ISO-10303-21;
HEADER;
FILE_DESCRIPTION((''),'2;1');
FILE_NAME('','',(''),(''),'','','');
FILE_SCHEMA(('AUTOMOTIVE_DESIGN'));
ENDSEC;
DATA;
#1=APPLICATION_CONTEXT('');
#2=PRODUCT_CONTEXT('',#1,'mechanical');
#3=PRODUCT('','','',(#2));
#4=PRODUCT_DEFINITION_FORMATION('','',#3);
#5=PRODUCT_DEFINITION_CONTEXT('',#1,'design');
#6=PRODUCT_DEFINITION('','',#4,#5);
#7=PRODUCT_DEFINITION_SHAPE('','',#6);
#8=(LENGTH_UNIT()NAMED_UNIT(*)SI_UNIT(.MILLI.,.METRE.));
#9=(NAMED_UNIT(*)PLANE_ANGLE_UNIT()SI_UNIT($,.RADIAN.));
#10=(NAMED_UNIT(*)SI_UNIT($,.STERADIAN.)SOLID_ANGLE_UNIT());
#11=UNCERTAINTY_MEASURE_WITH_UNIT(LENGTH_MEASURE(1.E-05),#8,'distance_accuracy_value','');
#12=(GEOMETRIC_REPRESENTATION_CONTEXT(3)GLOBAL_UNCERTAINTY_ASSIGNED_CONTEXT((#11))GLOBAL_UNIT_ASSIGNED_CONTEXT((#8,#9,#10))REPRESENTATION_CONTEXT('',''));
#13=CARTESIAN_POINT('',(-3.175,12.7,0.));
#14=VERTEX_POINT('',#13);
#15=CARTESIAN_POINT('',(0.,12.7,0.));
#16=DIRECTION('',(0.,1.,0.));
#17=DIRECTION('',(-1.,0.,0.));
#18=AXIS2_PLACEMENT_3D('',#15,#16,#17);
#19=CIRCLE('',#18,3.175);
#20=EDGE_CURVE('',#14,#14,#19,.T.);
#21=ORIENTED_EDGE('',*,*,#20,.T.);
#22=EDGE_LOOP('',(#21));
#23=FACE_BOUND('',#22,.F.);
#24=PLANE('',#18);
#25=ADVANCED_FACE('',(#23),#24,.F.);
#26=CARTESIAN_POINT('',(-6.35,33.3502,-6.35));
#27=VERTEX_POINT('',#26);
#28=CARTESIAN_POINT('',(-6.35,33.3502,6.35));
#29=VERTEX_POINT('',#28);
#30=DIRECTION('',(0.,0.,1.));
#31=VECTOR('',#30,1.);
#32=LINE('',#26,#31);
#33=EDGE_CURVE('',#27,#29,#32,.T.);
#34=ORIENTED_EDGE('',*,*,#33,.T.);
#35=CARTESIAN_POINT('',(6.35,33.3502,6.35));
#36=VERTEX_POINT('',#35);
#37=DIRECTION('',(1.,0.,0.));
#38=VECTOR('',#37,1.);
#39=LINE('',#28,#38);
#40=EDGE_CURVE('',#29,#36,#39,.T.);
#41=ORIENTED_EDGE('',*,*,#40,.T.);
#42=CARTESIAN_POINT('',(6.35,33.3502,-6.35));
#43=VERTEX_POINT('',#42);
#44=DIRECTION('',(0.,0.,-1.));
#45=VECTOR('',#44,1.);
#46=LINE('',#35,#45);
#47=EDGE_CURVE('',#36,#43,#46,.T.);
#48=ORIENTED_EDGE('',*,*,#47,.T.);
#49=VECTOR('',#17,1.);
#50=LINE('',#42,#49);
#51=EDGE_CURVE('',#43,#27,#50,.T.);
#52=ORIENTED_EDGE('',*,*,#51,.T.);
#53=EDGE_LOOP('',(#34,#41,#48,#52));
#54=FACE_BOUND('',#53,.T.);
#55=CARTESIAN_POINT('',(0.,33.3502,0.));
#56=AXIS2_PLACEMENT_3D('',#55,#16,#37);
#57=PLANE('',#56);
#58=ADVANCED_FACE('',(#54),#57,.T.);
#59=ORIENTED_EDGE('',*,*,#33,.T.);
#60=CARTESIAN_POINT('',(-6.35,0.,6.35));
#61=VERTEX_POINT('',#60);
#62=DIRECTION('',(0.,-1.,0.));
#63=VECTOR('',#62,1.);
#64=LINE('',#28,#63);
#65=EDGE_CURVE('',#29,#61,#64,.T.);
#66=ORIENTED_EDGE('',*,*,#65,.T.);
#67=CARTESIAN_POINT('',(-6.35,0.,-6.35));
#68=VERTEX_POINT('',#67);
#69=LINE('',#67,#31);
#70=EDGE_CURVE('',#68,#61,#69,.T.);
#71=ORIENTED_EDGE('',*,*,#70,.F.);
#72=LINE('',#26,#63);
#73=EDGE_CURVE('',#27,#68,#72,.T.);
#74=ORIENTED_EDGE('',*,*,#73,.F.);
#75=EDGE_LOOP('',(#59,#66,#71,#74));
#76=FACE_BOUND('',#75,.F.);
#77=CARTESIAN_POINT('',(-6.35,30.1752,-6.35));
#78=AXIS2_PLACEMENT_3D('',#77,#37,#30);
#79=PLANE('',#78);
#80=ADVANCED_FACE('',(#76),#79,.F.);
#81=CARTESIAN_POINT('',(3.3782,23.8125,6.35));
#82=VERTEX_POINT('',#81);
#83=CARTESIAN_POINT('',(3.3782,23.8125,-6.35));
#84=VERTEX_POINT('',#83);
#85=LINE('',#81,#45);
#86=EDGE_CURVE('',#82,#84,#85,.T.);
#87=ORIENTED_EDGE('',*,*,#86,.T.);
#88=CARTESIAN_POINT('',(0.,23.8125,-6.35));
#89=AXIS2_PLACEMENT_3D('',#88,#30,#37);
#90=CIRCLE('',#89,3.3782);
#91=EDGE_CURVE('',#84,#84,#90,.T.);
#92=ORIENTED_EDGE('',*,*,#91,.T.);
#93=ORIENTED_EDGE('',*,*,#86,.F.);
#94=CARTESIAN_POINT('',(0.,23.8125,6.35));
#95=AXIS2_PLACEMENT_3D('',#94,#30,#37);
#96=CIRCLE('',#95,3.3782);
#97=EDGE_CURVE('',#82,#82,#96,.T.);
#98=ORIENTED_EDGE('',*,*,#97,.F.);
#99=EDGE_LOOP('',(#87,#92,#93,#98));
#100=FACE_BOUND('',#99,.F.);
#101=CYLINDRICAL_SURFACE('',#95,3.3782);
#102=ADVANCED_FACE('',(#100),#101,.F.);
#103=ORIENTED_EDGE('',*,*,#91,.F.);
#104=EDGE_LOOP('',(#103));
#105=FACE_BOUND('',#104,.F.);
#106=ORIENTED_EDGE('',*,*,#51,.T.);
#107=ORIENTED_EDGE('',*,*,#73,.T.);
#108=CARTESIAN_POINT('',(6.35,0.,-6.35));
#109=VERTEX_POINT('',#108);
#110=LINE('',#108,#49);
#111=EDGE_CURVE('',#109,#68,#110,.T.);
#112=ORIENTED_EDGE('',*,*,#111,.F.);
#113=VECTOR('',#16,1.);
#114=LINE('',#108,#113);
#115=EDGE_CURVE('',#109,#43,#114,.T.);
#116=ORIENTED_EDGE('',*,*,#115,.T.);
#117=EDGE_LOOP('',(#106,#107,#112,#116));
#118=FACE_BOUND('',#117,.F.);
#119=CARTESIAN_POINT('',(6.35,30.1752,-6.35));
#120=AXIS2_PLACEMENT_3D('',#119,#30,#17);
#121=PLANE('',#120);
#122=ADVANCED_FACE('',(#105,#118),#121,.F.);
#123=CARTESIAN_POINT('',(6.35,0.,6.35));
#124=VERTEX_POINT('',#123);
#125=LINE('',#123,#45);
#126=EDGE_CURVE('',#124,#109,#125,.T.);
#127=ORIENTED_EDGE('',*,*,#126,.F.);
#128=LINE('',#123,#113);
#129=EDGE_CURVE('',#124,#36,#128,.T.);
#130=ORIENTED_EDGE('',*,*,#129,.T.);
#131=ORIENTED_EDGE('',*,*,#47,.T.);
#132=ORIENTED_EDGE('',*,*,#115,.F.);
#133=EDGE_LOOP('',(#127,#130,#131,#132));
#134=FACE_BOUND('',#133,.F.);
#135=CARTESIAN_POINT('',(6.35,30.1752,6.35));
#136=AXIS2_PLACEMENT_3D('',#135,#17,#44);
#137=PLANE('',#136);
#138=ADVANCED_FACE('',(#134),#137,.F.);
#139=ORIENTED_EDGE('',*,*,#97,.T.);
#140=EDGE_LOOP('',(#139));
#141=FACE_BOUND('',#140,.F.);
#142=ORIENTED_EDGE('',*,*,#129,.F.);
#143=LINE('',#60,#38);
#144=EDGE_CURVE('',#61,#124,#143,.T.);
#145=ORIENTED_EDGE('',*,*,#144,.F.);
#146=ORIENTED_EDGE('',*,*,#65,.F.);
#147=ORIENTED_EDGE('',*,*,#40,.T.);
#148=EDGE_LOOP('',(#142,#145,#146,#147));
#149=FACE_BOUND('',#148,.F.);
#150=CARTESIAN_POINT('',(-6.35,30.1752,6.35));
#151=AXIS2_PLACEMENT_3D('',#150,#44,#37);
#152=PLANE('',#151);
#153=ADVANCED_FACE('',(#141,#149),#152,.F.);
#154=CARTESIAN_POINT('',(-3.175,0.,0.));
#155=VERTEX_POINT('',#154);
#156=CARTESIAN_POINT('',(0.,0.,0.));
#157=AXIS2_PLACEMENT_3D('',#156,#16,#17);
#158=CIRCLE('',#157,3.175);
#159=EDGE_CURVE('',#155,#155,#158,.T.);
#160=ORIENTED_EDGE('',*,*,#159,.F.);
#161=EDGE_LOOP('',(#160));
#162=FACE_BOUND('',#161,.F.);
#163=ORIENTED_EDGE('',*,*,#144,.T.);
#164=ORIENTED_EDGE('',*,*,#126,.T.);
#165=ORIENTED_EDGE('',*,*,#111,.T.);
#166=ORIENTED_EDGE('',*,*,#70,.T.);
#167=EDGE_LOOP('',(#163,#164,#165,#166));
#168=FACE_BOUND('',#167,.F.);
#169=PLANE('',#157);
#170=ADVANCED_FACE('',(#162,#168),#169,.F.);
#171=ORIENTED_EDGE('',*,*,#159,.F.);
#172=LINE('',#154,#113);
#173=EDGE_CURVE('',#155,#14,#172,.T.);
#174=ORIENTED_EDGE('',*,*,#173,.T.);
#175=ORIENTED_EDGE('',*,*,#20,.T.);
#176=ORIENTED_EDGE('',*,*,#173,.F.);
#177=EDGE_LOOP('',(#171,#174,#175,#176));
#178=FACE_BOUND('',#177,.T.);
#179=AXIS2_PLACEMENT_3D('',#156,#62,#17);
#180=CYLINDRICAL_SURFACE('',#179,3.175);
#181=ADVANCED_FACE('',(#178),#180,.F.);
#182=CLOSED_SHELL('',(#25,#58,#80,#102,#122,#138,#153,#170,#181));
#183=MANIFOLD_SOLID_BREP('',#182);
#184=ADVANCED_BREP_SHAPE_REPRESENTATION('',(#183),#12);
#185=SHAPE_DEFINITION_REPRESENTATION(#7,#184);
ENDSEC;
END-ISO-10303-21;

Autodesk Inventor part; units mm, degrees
ref_plane "YZ Plane" through (0, 0, 0) normal (1, 0, 0) x (0, 1, 0)
ref_plane "XZ Plane" through (0, 0, 0) normal (0, 1, 0) x (-1, 0, 0)
ref_plane "XY Plane" through (0, 0, 0) normal (0, 0, 1) x (1, 0, 0)
sketch "Sketch1" plane through (0, 0, 0) normal (0, 1, 0) x (-1, 0, 0)
  circle A0 centre (0, 0) radius 3.175
  line L0 (6.35, 6.35) -> (-6.35, 6.35)
  line L1 (-6.35, 6.35) -> (-6.35, -6.35)
  line L2 (-6.35, -6.35) -> (6.35, -6.35)
  line L3 (6.35, -6.35) -> (6.35, 6.35)
  dimension "d0" = 6.35
  dimension "d1" = 6.35
  dimension "d2" = 6.35
  dimension "d3" = 6.35
extrude "Extrusion1" add sketch "Sketch1" along normal blind 30.1752 contours A0 | L3 L2 L1 L0
extrude "Extrusion2" cut sketch "Sketch1" along normal blind 12.7 contours A0
sketch "Sketch2" plane through (-6.35, 0, 6.35) normal (0, 0, 1) x (1, 0, 0)
  circle A0 centre (6.35, 23.8125) radius 3.3782
  line L0 (12.7, 0) -> (12.7, 30.1752) projected
  point P0 (6.35, 0)
  dimension "d8" = 6.7564
  dimension "d9" = 23.8125
  dimension "d10" = 6.35
extrude "Extrusion3" cut sketch "Sketch2" against normal blind 12.7
sketch "Sketch3" plane through (0, 30.1752, 0) normal (0, 1, 0) x (1, 0, 0)
  line L0 (6.35, -6.35) -> (6.35, 6.35) projected
  line L1 (6.35, 6.35) -> (-6.35, 6.35) projected
  line L2 (-6.35, 6.35) -> (-6.35, -6.35) projected
  line L3 (-6.35, -6.35) -> (6.35, -6.35) projected
  point P0 (0, 0)
extrude "Extrusion4" add sketch "Sketch3" along normal blind 3.175
properties part number "clevis"
